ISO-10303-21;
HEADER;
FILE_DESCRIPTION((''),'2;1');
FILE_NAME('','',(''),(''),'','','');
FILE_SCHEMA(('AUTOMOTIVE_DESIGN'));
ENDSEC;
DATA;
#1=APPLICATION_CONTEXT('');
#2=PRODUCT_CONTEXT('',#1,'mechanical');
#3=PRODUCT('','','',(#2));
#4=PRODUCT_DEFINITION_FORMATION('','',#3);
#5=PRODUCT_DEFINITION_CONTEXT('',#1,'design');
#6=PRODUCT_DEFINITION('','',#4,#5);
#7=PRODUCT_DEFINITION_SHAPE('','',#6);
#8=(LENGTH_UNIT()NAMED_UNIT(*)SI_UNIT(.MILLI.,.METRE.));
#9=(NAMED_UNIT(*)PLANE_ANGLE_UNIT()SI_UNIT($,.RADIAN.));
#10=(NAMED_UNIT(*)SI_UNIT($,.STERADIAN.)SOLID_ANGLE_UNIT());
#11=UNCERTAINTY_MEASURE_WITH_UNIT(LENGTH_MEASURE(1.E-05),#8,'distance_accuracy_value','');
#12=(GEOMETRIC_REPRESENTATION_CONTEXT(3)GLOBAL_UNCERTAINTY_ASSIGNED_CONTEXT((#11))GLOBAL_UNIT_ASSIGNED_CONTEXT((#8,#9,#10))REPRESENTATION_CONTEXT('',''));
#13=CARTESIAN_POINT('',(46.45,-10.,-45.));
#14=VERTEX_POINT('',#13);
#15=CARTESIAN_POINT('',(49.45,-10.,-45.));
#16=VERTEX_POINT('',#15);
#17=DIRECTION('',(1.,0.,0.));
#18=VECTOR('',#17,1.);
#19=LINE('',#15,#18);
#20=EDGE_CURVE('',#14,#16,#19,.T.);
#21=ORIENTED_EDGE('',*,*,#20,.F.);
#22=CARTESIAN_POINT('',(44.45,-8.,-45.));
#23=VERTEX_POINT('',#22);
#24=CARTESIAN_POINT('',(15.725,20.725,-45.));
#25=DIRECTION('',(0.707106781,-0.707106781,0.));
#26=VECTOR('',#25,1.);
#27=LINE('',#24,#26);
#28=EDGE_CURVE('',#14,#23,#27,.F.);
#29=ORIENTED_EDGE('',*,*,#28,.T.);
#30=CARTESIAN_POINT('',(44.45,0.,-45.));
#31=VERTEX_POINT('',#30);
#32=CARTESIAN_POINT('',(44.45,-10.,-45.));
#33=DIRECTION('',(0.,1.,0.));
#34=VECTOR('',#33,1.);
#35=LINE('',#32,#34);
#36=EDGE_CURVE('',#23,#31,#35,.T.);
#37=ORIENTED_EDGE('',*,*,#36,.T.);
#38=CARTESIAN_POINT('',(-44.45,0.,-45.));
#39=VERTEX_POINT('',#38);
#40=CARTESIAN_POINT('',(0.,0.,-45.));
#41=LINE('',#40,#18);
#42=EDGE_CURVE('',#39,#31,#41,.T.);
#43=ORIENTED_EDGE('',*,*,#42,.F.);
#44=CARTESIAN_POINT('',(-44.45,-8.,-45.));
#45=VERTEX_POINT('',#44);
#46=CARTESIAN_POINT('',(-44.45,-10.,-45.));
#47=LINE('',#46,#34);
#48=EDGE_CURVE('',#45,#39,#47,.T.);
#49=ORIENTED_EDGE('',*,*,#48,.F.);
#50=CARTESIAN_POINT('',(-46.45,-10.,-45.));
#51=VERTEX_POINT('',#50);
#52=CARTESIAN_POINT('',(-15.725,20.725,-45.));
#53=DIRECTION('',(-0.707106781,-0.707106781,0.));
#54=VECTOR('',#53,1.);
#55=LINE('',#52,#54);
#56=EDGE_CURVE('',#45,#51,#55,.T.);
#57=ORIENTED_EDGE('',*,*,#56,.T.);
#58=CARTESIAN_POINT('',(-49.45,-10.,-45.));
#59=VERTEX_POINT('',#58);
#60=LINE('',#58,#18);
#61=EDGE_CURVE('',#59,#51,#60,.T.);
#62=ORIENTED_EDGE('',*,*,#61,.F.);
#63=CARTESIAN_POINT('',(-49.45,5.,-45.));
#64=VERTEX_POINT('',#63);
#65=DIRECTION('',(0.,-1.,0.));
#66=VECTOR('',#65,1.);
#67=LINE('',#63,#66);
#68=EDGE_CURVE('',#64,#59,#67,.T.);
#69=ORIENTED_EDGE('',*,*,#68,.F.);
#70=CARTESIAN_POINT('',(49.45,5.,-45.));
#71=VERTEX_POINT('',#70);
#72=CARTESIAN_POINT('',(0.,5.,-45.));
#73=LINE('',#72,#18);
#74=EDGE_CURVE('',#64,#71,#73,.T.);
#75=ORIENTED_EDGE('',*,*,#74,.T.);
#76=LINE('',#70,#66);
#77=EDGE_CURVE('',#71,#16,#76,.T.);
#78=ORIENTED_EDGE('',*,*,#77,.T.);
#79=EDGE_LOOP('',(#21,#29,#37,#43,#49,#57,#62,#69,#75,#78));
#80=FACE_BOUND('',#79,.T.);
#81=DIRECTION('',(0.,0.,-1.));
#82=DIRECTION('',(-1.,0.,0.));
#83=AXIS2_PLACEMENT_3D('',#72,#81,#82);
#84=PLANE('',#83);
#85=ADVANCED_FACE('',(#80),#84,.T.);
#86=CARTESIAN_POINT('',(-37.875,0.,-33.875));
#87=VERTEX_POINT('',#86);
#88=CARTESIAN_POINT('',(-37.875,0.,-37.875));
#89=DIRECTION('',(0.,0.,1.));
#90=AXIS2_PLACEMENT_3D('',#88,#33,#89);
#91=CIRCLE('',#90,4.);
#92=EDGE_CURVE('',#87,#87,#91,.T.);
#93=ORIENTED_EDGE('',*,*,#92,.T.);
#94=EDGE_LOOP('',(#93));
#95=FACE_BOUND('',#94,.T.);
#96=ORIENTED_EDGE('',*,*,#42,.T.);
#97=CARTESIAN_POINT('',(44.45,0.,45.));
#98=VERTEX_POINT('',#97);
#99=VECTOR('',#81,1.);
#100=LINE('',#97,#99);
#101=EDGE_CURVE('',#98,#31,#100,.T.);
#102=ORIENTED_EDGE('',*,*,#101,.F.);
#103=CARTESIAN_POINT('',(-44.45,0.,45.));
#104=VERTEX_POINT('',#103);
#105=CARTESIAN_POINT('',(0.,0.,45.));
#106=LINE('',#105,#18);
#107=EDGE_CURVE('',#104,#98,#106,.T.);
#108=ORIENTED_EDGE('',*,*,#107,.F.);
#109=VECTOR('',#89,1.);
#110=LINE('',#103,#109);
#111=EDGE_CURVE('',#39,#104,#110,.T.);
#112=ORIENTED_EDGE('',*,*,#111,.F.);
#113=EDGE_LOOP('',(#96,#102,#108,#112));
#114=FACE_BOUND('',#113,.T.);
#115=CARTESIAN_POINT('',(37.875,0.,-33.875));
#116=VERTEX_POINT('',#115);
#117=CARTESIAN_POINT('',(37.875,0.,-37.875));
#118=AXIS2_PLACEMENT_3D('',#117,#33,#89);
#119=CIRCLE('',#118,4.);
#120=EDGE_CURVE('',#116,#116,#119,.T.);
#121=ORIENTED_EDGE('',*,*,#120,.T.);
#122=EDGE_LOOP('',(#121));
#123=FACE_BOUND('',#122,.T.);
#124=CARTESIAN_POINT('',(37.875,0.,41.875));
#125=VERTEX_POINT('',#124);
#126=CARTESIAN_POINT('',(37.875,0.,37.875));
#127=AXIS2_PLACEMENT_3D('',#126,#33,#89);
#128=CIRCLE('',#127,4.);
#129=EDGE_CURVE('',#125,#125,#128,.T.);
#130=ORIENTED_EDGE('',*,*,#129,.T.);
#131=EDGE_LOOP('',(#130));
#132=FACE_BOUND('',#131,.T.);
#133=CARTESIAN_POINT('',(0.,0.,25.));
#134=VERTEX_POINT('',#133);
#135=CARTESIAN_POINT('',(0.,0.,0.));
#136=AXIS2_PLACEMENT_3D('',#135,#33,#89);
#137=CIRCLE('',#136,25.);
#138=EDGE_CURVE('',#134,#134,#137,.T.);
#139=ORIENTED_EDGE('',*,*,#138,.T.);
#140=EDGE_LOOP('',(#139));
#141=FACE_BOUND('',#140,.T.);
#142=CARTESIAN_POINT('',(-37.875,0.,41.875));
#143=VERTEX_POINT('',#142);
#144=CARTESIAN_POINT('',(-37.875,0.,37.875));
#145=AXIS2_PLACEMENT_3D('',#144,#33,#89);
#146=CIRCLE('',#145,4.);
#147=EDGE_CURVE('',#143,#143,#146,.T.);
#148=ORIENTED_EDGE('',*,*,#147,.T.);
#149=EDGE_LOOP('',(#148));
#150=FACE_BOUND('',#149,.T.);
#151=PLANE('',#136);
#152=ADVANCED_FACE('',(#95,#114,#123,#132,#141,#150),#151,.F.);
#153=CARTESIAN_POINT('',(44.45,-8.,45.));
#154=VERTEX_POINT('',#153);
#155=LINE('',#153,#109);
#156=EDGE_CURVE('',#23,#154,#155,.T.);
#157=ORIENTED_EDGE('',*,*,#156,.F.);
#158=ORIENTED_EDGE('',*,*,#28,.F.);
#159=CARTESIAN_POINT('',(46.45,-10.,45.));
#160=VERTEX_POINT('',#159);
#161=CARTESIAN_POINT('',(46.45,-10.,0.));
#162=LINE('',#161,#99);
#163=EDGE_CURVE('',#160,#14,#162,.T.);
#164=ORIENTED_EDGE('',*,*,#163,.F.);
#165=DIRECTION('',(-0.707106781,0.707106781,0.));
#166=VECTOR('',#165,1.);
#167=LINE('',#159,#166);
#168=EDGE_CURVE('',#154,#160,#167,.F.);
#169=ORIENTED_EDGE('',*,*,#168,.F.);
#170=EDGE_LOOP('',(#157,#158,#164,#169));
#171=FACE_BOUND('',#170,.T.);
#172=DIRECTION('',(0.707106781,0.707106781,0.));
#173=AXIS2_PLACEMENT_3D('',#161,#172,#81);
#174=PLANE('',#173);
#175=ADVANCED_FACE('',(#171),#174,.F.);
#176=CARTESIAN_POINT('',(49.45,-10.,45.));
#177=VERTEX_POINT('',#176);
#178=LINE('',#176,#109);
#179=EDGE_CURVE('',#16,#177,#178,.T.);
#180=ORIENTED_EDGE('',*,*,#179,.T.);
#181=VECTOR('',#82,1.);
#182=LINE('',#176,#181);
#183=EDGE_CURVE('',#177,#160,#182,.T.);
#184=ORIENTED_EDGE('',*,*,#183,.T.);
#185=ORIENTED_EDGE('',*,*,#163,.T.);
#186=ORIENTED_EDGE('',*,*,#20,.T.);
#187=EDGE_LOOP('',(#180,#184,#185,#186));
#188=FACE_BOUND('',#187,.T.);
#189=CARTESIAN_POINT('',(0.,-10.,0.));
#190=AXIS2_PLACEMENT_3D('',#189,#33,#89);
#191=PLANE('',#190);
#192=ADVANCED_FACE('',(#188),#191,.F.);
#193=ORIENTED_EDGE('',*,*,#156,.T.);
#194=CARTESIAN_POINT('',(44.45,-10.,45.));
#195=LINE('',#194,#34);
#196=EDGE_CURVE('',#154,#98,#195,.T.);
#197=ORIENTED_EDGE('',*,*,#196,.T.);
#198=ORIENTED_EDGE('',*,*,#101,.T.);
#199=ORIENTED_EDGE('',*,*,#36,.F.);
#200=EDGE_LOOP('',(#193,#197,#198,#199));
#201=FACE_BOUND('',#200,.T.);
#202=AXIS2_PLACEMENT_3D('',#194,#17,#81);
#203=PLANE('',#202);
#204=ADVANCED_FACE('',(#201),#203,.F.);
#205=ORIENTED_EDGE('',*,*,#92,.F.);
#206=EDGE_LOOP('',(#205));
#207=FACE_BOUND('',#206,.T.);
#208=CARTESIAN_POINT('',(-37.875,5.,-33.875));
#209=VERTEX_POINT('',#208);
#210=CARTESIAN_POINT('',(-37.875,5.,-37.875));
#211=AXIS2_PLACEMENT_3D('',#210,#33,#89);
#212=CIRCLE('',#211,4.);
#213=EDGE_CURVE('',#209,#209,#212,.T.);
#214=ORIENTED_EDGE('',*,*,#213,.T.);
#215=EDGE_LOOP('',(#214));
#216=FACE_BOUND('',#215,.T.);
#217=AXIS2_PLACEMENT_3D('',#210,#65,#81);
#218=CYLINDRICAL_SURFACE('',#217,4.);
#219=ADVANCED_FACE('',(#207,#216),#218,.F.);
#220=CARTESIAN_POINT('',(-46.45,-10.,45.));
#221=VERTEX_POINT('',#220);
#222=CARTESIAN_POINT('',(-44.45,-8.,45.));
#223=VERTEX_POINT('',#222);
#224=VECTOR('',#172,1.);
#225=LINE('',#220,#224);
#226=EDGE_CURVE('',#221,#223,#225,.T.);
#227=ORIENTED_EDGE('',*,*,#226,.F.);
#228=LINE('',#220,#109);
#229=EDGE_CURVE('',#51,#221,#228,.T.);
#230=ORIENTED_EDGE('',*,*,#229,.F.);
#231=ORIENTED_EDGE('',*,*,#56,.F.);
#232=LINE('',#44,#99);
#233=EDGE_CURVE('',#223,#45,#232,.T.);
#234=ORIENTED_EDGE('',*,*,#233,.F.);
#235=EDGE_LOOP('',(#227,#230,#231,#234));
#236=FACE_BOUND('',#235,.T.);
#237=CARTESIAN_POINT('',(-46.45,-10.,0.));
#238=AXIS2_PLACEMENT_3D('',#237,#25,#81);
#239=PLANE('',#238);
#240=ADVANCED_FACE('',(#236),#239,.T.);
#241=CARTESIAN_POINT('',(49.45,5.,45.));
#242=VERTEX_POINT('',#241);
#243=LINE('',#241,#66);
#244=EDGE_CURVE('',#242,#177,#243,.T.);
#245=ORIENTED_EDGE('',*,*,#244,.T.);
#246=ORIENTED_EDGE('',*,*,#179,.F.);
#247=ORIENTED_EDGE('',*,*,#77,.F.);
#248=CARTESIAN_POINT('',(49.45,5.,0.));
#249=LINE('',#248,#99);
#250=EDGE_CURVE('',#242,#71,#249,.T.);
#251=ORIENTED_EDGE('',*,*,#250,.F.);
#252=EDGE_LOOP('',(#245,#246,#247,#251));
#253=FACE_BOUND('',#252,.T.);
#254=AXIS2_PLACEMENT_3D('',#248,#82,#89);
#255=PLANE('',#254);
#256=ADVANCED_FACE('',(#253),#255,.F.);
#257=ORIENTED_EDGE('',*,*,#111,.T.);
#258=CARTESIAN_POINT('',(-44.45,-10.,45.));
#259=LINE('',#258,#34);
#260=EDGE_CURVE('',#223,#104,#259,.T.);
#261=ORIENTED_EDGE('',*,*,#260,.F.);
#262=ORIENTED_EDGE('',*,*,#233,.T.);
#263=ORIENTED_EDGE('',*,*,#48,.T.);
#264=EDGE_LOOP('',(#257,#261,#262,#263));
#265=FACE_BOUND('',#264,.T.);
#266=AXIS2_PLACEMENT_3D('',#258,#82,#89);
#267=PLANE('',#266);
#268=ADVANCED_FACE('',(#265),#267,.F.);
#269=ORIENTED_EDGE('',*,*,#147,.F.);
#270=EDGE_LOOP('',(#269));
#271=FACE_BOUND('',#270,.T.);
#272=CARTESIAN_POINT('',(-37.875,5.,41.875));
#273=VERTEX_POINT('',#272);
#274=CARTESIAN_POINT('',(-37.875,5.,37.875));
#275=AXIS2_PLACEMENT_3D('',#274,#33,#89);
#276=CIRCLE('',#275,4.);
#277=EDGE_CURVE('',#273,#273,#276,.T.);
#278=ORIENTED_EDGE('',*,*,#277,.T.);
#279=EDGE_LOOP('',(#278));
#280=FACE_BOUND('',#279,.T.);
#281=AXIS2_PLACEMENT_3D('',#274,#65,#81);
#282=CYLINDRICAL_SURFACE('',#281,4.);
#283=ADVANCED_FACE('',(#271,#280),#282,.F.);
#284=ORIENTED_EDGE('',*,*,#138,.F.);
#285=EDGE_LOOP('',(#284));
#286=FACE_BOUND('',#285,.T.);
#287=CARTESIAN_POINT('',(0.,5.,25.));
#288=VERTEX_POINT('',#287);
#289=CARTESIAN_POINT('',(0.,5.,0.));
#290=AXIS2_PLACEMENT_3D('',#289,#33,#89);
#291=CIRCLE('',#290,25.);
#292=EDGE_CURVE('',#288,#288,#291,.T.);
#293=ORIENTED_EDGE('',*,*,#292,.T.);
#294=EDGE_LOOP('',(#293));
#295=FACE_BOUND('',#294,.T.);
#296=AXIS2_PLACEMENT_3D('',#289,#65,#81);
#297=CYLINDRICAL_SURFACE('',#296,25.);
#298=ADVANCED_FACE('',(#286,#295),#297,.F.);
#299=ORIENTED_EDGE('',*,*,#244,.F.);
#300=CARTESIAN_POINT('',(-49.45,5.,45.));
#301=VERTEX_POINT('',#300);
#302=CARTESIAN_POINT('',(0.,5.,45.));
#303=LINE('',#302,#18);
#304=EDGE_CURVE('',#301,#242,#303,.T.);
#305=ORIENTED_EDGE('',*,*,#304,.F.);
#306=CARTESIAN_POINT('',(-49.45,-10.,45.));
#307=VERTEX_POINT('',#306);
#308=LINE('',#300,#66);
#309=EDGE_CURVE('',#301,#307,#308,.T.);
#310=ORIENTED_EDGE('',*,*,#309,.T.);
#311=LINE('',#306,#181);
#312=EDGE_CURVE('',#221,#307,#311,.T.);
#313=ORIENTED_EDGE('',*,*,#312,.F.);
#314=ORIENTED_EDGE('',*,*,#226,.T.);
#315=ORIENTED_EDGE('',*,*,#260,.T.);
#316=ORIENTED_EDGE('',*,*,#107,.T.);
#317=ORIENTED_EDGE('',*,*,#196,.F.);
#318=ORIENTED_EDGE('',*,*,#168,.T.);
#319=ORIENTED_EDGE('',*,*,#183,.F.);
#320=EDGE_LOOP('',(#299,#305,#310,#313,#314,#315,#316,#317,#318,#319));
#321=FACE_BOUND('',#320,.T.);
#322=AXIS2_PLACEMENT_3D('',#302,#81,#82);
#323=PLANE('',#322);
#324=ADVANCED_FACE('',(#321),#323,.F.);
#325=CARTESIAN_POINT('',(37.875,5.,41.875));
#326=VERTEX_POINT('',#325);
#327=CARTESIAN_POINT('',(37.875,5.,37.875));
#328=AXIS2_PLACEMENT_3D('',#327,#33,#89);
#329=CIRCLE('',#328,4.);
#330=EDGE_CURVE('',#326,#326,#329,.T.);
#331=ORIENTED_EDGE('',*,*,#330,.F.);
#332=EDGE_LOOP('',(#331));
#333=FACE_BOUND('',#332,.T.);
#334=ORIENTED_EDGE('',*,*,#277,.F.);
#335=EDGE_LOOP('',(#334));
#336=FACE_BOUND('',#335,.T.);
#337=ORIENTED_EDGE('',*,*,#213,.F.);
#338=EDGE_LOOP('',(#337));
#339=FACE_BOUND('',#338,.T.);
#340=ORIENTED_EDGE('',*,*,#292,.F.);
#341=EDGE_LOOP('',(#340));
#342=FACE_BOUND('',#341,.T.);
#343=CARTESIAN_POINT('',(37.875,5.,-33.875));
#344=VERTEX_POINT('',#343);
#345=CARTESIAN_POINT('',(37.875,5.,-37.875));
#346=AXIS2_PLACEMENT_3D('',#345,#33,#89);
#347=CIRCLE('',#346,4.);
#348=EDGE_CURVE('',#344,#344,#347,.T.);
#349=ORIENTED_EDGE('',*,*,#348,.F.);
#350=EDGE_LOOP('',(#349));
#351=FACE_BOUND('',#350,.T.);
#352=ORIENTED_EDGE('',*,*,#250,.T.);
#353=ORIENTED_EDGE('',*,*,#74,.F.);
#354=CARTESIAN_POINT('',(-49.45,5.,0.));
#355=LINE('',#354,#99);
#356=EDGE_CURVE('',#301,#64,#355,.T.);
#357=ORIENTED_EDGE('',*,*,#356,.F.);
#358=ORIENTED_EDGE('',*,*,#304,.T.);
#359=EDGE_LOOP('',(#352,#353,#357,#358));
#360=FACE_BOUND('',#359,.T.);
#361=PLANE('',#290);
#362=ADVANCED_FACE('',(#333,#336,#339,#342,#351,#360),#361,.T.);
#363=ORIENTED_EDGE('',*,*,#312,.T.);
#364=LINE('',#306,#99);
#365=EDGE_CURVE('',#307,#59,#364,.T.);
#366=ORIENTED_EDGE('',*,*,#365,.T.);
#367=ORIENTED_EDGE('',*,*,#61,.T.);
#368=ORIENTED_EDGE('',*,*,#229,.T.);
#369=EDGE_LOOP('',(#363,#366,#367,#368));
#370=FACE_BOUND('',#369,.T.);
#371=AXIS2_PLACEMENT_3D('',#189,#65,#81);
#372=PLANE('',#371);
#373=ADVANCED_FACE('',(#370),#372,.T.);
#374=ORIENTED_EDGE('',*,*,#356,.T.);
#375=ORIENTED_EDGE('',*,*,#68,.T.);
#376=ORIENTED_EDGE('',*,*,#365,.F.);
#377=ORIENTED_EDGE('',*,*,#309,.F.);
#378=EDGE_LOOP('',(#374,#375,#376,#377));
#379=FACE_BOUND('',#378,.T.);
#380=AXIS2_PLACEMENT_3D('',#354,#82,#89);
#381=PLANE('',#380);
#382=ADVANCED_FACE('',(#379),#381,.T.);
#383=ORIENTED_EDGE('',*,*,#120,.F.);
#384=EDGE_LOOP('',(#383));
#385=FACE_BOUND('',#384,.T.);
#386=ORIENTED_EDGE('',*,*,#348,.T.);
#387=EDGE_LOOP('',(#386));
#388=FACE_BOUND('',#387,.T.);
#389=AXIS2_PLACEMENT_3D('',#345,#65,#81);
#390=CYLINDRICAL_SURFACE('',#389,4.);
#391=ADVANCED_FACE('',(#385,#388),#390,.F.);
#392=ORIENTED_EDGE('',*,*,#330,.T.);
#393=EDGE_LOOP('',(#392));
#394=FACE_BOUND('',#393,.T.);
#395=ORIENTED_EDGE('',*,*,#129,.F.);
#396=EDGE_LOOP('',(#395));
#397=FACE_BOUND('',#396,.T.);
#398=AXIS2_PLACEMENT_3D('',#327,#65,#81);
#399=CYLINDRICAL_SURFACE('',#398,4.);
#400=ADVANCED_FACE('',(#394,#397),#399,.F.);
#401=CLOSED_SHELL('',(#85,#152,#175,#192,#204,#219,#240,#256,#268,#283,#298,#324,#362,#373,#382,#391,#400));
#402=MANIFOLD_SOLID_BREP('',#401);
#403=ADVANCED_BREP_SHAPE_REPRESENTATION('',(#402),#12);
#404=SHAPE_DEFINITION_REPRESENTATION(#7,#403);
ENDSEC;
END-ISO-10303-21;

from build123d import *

# Parameters (mm, degrees)
SKETCH1_W           = 98.9
SKETCH1_H           = 90
SKETCH1_R           = 4
SKETCH1_R_2         = 25
BOSS_EXTRUDE1_DEPTH = 5
SKETCH2_W           = 5
SKETCH2_H           = 90
BOSS_EXTRUDE2_DEPTH = 10
CHAMFER1_SIZE       = 2


with BuildPart() as part:
    # Sketch1 → Boss-Extrude1 (new body)
    with BuildSketch(Plane(origin=(0, 0, 0), x_dir=(1, 0, 0), z_dir=(0, 1, 0))):
        Rectangle(SKETCH1_W, SKETCH1_H)
        with Locations(Location((37.875, -37.875, 0), (0, 0, 270))):
            Circle(SKETCH1_R, mode=Mode.SUBTRACT)
        with Locations(Location((-37.875, -37.875, 0), (0, 0, 270))):
            Circle(SKETCH1_R, mode=Mode.SUBTRACT)
        with Locations(Location((37.875, 37.875, 0), (0, 0, 270))):
            Circle(SKETCH1_R, mode=Mode.SUBTRACT)
        with Locations(Location((-37.875, 37.875, 0), (0, 0, 270))):
            Circle(SKETCH1_R, mode=Mode.SUBTRACT)
        with Locations(Location((0, 0, 0), (0, 0, 270))):
            Circle(SKETCH1_R_2, mode=Mode.SUBTRACT)
    extrude(amount=BOSS_EXTRUDE1_DEPTH)

    # Sketch2 → Boss-Extrude2 (add)
    with BuildSketch(Plane.XZ):
        with Locations((-46.95, 0)):
            Rectangle(SKETCH2_W, SKETCH2_H)
        with Locations((46.95, 0)):
            Rectangle(SKETCH2_W, SKETCH2_H)
    extrude(amount=BOSS_EXTRUDE2_DEPTH)

    # Chamfer1
    chamfer1_edges = [part.edges().sort_by_distance(p)[0] for p in [
        (-44.45, -10, 0),
        (44.45, -10, 0),
    ]]
    chamfer(chamfer1_edges, length=CHAMFER1_SIZE)


solid = part.part
